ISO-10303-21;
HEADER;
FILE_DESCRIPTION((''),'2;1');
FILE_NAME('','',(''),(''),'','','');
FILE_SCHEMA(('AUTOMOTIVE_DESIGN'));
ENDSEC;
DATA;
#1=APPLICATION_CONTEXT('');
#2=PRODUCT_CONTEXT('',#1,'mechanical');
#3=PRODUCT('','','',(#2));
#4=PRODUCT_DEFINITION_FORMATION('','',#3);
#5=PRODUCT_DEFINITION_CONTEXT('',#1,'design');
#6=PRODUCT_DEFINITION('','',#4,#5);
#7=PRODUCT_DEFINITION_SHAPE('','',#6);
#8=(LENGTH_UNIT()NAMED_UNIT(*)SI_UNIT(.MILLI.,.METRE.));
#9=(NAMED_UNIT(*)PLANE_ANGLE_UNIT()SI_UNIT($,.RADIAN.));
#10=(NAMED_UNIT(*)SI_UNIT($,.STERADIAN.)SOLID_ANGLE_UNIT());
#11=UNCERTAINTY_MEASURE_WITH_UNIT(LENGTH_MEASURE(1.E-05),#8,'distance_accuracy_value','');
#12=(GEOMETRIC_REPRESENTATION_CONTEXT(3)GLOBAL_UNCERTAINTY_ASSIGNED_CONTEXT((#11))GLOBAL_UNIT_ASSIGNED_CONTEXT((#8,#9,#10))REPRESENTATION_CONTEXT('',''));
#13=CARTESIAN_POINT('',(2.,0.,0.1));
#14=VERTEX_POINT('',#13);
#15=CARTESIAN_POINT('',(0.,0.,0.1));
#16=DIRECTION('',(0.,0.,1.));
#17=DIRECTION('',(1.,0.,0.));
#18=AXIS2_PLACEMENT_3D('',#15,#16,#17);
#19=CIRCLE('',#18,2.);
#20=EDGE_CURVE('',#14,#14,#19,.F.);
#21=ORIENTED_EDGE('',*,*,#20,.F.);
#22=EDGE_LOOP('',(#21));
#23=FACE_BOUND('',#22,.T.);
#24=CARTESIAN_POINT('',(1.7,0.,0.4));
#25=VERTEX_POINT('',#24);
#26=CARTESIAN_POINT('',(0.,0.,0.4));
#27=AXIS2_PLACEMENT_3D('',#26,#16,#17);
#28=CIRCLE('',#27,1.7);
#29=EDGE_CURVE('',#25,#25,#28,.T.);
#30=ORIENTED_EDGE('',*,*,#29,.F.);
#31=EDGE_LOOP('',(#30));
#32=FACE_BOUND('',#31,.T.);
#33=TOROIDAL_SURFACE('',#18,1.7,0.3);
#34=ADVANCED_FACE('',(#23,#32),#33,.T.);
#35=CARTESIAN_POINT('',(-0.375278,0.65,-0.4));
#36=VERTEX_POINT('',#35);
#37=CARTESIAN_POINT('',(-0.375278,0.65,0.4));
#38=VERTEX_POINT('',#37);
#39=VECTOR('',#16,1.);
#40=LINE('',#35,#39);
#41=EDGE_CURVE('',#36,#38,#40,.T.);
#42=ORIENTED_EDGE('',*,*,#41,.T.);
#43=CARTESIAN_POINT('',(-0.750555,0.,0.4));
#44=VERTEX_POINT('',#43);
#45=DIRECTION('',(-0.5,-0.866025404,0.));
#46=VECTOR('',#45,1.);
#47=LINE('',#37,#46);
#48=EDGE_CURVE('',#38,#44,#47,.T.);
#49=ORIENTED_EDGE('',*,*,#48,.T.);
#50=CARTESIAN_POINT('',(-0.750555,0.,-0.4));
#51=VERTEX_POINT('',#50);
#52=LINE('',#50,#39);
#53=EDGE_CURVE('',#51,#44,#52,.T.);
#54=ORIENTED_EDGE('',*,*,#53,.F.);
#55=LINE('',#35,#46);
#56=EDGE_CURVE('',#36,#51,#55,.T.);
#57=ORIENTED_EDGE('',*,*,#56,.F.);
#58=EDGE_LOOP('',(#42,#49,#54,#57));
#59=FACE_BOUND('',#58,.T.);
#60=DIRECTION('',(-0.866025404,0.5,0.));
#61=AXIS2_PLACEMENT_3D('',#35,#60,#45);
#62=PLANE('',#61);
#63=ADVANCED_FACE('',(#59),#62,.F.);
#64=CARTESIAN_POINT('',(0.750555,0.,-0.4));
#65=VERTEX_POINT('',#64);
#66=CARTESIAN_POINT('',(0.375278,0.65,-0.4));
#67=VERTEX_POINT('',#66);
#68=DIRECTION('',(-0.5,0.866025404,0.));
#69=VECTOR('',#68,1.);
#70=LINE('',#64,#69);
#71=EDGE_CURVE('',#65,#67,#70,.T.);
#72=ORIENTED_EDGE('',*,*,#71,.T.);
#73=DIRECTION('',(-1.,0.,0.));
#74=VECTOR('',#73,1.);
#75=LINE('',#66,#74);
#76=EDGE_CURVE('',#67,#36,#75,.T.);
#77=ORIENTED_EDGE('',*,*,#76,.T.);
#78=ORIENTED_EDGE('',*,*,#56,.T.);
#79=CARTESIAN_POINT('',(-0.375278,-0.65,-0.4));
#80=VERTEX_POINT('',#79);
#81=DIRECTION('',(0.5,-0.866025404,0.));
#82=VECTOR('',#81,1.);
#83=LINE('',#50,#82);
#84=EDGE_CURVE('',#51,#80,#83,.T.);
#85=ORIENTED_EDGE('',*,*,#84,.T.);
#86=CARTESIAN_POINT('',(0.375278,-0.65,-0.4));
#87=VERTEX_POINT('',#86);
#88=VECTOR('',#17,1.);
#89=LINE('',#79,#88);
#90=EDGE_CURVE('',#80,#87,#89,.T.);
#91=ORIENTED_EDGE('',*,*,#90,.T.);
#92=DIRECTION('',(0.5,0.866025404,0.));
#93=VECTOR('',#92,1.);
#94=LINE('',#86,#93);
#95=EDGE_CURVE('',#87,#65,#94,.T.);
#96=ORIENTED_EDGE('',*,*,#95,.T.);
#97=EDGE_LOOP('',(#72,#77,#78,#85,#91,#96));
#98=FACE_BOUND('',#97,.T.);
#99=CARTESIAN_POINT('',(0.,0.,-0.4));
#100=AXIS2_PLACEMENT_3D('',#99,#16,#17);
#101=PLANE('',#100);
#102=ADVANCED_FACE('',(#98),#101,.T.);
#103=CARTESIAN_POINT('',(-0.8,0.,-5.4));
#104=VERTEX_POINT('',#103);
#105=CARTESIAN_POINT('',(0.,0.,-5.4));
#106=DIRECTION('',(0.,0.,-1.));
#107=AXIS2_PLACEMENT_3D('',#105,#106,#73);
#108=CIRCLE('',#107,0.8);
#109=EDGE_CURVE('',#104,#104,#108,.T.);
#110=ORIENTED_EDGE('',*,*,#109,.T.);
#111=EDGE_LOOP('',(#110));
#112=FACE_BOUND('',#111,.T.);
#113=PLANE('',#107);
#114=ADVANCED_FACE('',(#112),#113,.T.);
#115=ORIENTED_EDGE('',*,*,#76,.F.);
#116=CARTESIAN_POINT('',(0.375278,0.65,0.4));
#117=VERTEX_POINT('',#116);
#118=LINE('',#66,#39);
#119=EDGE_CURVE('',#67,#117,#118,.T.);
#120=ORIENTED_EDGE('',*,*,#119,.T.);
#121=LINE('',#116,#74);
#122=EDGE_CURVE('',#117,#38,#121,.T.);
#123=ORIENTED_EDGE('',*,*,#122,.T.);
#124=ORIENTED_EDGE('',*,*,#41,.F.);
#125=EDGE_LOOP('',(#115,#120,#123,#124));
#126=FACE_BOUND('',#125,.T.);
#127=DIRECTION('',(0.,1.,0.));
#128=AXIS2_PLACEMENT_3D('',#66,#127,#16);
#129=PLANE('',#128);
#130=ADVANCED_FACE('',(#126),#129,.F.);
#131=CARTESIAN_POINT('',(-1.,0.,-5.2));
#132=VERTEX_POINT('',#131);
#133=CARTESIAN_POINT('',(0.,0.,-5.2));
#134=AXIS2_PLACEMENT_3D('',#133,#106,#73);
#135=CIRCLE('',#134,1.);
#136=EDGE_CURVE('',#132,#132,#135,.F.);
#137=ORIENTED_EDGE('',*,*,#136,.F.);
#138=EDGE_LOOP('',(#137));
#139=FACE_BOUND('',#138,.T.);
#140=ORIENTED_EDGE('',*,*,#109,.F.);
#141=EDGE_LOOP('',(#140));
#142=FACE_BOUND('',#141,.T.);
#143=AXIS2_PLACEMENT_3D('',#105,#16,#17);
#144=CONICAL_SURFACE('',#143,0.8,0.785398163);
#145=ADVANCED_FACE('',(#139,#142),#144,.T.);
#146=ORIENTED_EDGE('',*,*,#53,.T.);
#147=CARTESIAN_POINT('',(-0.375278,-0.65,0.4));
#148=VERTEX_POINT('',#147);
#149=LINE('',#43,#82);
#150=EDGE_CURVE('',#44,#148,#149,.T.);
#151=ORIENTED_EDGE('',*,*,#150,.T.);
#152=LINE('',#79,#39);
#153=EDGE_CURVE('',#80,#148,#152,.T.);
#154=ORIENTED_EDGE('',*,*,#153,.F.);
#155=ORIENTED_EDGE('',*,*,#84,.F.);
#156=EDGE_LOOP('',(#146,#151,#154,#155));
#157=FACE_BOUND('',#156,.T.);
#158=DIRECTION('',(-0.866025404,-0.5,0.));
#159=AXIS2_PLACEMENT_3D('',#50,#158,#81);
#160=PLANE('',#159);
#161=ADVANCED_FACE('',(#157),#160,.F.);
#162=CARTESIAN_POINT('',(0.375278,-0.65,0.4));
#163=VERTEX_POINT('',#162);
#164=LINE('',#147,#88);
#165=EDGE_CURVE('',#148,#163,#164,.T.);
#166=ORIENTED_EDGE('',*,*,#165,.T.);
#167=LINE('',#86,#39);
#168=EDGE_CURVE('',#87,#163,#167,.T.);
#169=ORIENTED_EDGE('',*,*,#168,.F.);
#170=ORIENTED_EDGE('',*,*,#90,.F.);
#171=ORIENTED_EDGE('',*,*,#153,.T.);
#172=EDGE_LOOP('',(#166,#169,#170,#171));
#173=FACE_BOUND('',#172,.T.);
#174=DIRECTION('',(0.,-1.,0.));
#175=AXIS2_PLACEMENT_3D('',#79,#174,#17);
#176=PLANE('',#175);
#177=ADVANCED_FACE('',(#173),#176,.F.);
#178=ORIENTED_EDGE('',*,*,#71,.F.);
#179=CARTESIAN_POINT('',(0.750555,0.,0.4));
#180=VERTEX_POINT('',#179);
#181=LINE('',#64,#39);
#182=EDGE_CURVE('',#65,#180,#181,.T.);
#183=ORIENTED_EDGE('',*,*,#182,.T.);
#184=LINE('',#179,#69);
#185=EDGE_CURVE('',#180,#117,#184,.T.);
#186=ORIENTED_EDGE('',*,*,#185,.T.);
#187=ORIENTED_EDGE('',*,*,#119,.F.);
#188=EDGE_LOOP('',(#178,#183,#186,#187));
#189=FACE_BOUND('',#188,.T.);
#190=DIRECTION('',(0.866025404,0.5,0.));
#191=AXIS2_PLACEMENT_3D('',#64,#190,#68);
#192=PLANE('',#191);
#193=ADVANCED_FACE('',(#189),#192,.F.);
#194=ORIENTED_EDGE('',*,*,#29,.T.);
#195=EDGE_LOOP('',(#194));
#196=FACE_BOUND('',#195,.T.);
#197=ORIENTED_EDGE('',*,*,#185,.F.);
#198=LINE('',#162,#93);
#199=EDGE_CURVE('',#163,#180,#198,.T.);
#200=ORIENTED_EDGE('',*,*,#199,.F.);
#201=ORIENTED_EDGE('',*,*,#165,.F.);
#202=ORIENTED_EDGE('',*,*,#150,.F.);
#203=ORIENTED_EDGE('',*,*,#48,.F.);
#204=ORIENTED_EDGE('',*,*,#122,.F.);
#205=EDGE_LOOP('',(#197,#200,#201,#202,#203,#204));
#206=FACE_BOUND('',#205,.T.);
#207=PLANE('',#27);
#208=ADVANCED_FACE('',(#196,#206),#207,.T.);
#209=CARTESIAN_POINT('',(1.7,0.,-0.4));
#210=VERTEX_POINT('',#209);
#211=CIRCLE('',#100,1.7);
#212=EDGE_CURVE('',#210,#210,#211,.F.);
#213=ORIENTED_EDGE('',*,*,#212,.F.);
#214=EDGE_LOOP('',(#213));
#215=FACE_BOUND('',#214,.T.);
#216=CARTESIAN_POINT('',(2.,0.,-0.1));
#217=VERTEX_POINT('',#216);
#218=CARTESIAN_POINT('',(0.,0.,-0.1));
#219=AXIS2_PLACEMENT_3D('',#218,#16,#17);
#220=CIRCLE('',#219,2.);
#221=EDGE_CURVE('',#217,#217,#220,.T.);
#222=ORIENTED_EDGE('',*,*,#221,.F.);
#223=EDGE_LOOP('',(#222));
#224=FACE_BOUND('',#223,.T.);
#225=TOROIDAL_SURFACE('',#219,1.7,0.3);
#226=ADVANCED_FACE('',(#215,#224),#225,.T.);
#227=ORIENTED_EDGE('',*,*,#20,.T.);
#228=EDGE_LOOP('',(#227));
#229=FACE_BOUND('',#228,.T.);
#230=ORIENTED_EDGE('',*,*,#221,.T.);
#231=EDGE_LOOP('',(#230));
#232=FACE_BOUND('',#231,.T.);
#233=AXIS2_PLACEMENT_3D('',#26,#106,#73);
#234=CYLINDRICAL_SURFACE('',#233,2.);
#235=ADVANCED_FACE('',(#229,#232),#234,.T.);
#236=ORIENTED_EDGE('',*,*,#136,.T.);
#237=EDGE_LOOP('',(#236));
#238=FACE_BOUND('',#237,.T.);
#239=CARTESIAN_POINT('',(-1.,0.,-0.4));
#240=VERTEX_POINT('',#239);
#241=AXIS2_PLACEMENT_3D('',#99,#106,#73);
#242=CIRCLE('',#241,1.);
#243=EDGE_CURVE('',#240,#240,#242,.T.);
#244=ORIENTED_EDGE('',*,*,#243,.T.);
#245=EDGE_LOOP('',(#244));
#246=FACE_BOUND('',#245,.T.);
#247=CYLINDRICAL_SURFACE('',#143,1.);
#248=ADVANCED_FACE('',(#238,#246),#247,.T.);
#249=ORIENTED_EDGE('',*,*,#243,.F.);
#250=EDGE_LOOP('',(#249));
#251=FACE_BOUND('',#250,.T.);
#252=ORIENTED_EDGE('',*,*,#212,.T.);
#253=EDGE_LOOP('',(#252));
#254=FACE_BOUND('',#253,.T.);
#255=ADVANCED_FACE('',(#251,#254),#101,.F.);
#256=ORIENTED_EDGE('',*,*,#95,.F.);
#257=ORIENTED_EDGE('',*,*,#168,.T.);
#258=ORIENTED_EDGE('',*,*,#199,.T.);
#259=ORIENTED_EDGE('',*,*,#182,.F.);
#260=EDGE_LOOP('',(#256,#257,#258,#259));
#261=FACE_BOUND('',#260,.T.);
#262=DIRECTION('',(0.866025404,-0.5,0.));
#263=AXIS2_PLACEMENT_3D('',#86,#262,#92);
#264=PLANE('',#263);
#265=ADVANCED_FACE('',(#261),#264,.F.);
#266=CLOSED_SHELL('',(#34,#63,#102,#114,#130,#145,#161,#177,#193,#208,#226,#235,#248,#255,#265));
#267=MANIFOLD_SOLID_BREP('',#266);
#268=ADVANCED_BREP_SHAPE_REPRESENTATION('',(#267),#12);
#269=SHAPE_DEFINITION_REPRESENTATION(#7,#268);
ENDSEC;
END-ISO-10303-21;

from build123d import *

# Parameters (mm, degrees)
SKETCH_1_R          = 2
EXTRUDE_1_DEPTH     = 0.4
SKETCH_2_R          = 1
EXTRUDE_2_DEPTH     = 5
CHAMFER_1_SIZE      = 0.2
CUT_EXTRUDE_1_DEPTH = 0.8
FILLET_2_R          = 0.3


with BuildPart() as part:
    # 草图1 → 凸台-拉伸1 (new, symmetric)
    with BuildSketch(Plane.XY):
        Circle(SKETCH_1_R)
    extrude(amount=EXTRUDE_1_DEPTH, both=True)

    # 草图2 → 凸台-拉伸2 (add)
    with BuildSketch(Plane(origin=(0, 0, -0.4), x_dir=(-1, 0, 0), z_dir=(0, 0, -1))):
        Circle(SKETCH_2_R)
    extrude(amount=EXTRUDE_2_DEPTH)

    # 倒角1
    chamfer_1_edges = [part.edges().sort_by_distance(p)[0] for p in [
        (1, 0, -5.4),
    ]]
    chamfer(chamfer_1_edges, length=CHAMFER_1_SIZE)

    # 草图3 → 切除-拉伸1 (cut)
    with BuildSketch(Plane.XY.offset(0.4)):
        Polygon((0.75055535, 0), (0.375277675, 0.65), (-0.375277675, 0.65), (-0.75055535, 0), (-0.375277675, -0.65), (0.375277675, -0.65), align=None)
    extrude(amount=-CUT_EXTRUDE_1_DEPTH, mode=Mode.SUBTRACT)

    # 圆角2
    fillet_2_edges = [part.edges().sort_by_distance(p)[0] for p in [
        (-2, 0, -0.4),
        (-2, 0, 0.4),
    ]]
    fillet(fillet_2_edges, radius=FILLET_2_R)


solid = part.part
